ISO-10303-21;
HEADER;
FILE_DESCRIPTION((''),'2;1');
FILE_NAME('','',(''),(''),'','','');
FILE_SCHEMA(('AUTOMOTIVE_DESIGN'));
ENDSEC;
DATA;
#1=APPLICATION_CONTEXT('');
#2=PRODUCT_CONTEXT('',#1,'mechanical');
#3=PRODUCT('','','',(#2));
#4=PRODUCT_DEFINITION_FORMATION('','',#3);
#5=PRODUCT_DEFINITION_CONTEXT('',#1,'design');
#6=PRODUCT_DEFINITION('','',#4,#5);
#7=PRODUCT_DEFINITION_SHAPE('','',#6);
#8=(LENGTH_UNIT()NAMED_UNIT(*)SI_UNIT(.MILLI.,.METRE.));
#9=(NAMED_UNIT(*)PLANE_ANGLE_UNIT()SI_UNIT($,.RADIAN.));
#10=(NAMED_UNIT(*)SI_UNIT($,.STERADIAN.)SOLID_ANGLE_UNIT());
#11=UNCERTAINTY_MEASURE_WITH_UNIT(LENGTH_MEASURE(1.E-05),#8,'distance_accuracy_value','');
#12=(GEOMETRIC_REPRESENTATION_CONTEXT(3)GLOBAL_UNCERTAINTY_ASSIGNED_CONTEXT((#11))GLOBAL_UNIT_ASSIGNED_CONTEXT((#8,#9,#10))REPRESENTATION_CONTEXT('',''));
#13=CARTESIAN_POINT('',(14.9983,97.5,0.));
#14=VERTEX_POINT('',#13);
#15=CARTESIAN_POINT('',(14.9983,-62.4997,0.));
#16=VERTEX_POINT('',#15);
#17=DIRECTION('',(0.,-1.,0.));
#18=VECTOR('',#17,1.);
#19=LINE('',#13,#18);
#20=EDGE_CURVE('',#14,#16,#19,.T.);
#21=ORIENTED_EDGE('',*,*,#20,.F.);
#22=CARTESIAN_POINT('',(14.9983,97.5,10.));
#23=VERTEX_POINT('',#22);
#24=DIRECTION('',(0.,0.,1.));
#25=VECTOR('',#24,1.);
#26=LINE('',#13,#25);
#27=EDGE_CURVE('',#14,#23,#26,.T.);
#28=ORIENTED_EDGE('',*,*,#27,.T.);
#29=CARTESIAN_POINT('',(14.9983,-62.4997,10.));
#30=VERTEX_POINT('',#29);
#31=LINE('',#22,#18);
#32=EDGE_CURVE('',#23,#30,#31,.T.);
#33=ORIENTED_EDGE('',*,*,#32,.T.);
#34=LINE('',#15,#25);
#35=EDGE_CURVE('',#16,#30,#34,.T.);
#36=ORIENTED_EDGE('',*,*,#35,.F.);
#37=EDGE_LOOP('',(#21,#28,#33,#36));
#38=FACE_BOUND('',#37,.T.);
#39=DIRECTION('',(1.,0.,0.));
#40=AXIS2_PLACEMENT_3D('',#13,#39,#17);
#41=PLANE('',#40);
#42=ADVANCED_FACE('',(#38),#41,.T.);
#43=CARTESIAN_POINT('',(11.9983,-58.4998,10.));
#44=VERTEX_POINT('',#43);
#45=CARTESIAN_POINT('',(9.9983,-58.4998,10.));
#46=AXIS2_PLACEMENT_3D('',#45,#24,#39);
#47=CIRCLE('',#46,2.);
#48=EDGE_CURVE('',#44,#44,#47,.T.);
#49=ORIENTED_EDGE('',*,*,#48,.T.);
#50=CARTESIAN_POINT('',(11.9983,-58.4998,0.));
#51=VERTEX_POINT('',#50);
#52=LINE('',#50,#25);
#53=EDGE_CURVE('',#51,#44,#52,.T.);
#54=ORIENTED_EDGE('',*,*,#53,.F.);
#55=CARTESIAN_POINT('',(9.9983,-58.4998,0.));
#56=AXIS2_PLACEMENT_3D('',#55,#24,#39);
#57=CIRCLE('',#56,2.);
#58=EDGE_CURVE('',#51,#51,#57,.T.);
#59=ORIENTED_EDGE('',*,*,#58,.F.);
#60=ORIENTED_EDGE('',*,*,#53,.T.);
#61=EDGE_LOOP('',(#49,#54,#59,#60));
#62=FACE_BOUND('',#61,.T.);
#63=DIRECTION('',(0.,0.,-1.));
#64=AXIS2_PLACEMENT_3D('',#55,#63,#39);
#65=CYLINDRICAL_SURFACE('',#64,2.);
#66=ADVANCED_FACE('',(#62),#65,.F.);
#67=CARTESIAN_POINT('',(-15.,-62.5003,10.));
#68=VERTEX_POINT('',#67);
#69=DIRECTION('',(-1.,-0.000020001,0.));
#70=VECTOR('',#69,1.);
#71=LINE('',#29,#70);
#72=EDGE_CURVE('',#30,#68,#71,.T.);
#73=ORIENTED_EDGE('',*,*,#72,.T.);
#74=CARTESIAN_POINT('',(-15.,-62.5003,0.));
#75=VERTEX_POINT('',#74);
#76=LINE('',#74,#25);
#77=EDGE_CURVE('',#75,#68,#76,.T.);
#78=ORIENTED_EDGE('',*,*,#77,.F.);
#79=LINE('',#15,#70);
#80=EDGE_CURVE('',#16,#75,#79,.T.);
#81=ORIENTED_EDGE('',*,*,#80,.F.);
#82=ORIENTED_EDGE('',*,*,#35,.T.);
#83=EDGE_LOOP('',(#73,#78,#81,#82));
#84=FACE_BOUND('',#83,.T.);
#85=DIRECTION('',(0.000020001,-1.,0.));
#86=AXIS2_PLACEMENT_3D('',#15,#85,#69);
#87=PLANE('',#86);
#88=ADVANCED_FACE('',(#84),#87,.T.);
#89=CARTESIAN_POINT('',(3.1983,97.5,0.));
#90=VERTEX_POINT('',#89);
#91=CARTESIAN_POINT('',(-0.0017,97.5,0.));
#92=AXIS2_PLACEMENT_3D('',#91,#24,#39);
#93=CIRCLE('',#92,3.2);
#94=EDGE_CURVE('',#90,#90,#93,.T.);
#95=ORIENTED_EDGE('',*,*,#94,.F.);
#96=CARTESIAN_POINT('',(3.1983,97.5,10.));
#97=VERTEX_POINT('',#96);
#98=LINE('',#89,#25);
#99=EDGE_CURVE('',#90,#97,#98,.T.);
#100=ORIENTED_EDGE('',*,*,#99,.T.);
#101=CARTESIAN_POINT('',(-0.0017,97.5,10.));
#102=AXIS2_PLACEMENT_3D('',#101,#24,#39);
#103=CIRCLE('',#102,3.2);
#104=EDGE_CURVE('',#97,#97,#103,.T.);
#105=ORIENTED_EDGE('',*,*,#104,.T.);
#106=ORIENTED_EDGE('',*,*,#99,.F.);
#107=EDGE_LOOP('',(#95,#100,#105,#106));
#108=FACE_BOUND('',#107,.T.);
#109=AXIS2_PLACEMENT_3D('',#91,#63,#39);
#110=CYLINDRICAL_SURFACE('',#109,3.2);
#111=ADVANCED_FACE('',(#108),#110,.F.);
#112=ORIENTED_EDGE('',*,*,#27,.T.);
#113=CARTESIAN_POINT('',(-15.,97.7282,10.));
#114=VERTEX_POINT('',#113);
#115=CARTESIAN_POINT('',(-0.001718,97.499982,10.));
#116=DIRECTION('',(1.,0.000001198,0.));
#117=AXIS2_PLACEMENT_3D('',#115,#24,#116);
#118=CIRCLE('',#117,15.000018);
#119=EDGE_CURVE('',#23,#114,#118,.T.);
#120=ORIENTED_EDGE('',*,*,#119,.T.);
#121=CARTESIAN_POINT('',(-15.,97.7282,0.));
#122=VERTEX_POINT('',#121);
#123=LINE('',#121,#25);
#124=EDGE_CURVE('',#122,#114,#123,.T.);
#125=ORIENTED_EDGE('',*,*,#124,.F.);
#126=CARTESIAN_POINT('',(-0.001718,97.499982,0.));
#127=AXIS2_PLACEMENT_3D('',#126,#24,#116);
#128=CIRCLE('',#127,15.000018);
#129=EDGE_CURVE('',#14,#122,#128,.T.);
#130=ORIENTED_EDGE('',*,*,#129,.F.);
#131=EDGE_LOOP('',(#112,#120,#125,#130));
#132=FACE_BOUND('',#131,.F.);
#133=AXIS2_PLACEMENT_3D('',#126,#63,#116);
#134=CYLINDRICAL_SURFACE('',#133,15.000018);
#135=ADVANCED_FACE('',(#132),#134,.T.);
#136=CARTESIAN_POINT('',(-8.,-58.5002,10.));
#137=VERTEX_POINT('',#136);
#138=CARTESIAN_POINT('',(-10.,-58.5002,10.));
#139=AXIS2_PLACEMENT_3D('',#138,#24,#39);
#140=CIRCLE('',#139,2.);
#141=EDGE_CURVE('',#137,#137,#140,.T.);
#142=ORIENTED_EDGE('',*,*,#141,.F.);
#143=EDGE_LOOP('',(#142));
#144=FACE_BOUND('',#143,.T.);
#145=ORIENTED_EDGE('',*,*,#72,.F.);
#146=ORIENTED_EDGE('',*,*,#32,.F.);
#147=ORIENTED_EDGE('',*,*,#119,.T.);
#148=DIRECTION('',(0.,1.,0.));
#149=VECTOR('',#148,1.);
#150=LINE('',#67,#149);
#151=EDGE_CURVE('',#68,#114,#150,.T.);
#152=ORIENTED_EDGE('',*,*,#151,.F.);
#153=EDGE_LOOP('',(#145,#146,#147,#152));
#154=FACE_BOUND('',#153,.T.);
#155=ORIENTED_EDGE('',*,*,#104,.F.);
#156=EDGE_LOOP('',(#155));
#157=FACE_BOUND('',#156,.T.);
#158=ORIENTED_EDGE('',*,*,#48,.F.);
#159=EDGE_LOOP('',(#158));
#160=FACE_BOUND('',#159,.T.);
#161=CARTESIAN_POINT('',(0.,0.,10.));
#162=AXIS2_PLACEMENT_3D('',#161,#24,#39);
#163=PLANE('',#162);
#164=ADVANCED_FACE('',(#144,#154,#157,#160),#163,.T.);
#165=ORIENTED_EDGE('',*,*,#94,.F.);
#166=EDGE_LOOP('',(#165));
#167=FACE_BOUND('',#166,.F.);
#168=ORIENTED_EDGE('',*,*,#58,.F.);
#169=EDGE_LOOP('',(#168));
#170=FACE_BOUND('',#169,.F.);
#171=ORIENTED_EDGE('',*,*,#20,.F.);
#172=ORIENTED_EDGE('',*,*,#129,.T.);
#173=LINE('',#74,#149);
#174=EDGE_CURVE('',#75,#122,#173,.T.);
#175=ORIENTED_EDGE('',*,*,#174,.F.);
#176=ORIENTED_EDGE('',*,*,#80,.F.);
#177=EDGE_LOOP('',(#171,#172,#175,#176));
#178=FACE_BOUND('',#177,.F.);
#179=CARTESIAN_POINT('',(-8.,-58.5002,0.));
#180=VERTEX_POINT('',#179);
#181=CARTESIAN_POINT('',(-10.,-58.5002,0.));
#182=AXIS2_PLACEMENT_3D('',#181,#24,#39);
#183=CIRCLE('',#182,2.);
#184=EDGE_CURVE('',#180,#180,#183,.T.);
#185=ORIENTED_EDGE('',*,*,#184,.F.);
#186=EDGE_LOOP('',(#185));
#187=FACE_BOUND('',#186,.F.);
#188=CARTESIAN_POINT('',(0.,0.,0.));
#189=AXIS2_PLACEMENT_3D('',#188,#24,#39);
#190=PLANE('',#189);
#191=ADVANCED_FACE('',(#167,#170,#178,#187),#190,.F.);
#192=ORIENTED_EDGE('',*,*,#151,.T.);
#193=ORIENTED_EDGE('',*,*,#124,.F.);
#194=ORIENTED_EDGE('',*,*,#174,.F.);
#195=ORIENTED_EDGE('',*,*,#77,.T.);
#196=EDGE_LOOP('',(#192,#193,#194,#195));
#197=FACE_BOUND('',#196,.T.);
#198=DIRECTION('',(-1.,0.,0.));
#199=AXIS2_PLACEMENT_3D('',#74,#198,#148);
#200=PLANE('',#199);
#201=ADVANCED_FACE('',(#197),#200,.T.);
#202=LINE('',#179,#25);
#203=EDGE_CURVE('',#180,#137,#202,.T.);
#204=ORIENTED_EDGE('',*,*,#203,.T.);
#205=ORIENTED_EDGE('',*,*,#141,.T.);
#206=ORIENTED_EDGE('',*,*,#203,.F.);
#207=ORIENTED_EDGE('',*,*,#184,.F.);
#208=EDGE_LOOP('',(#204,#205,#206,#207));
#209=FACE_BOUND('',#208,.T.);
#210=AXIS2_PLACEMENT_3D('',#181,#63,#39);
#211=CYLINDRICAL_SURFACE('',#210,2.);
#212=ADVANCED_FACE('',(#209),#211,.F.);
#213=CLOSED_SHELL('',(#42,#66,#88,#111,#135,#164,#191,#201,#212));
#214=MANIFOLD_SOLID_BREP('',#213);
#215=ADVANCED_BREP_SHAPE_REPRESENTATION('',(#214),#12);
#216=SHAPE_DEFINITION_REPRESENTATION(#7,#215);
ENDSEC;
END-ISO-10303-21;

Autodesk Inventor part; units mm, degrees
ref_plane "YZ Plane" through (0, 0, 0) normal (1, 0, 0) x (0, 1, 0)
ref_plane "XZ Plane" through (0, 0, 0) normal (0, 1, 0) x (-1, 0, 0)
ref_plane "XY Plane" through (0, 0, 0) normal (0, 0, 1) x (1, 0, 0)
sketch "Sketch1" plane through (0, 0, 0) normal (0, 0, 1) x (1, 0, 0)
  line L0 (14.9983, 97.5) -> (14.9983, -62.4997)
  line L1 (14.9983, -62.4997) -> (-15, -62.5003)
  line L2 (-15, -62.5003) -> (-15, 97.7282)
  circle A0 centre (-0.0017, 97.5) radius 3.2
  circle A1 centre (9.9983, -58.4998) radius 2
  circle A2 centre (-10, -58.5002) radius 2
  arc A3 (14.9983, 97.5) -> (-15, 97.7282) centre (-0.0017, 97.5) ccw
  point P0 (0, 0)
  point P1 (-4.1636, 111.9111)
  point P2 (4.161, 111.9108)
  dimension "d2" = 62.5
  dimension "d3" = 15
  dimension "d4" = 6.4
  dimension "d5" = 15
  dimension "d7" = 4
  dimension "d8" = 4
  dimension "d9" = 5
  dimension "d10" = 4
  dimension "d11" = 4
  dimension "d12" = 5
  dimension "d17" = 160
extrude "Extrusion1" add sketch "Sketch1" along normal blind 10
equation "\"d2\" = 0.5 * d0"
equation "\"d3\" = 0.5 * d1"
equation "\"d5\" = 0.5 * d1"
equation "\"d11\" = d10"
equation "\"d12\" = d9"
equation "\"d1\" = 30"
equation "\"d0\" = 125"
properties part number "spool arm support"
